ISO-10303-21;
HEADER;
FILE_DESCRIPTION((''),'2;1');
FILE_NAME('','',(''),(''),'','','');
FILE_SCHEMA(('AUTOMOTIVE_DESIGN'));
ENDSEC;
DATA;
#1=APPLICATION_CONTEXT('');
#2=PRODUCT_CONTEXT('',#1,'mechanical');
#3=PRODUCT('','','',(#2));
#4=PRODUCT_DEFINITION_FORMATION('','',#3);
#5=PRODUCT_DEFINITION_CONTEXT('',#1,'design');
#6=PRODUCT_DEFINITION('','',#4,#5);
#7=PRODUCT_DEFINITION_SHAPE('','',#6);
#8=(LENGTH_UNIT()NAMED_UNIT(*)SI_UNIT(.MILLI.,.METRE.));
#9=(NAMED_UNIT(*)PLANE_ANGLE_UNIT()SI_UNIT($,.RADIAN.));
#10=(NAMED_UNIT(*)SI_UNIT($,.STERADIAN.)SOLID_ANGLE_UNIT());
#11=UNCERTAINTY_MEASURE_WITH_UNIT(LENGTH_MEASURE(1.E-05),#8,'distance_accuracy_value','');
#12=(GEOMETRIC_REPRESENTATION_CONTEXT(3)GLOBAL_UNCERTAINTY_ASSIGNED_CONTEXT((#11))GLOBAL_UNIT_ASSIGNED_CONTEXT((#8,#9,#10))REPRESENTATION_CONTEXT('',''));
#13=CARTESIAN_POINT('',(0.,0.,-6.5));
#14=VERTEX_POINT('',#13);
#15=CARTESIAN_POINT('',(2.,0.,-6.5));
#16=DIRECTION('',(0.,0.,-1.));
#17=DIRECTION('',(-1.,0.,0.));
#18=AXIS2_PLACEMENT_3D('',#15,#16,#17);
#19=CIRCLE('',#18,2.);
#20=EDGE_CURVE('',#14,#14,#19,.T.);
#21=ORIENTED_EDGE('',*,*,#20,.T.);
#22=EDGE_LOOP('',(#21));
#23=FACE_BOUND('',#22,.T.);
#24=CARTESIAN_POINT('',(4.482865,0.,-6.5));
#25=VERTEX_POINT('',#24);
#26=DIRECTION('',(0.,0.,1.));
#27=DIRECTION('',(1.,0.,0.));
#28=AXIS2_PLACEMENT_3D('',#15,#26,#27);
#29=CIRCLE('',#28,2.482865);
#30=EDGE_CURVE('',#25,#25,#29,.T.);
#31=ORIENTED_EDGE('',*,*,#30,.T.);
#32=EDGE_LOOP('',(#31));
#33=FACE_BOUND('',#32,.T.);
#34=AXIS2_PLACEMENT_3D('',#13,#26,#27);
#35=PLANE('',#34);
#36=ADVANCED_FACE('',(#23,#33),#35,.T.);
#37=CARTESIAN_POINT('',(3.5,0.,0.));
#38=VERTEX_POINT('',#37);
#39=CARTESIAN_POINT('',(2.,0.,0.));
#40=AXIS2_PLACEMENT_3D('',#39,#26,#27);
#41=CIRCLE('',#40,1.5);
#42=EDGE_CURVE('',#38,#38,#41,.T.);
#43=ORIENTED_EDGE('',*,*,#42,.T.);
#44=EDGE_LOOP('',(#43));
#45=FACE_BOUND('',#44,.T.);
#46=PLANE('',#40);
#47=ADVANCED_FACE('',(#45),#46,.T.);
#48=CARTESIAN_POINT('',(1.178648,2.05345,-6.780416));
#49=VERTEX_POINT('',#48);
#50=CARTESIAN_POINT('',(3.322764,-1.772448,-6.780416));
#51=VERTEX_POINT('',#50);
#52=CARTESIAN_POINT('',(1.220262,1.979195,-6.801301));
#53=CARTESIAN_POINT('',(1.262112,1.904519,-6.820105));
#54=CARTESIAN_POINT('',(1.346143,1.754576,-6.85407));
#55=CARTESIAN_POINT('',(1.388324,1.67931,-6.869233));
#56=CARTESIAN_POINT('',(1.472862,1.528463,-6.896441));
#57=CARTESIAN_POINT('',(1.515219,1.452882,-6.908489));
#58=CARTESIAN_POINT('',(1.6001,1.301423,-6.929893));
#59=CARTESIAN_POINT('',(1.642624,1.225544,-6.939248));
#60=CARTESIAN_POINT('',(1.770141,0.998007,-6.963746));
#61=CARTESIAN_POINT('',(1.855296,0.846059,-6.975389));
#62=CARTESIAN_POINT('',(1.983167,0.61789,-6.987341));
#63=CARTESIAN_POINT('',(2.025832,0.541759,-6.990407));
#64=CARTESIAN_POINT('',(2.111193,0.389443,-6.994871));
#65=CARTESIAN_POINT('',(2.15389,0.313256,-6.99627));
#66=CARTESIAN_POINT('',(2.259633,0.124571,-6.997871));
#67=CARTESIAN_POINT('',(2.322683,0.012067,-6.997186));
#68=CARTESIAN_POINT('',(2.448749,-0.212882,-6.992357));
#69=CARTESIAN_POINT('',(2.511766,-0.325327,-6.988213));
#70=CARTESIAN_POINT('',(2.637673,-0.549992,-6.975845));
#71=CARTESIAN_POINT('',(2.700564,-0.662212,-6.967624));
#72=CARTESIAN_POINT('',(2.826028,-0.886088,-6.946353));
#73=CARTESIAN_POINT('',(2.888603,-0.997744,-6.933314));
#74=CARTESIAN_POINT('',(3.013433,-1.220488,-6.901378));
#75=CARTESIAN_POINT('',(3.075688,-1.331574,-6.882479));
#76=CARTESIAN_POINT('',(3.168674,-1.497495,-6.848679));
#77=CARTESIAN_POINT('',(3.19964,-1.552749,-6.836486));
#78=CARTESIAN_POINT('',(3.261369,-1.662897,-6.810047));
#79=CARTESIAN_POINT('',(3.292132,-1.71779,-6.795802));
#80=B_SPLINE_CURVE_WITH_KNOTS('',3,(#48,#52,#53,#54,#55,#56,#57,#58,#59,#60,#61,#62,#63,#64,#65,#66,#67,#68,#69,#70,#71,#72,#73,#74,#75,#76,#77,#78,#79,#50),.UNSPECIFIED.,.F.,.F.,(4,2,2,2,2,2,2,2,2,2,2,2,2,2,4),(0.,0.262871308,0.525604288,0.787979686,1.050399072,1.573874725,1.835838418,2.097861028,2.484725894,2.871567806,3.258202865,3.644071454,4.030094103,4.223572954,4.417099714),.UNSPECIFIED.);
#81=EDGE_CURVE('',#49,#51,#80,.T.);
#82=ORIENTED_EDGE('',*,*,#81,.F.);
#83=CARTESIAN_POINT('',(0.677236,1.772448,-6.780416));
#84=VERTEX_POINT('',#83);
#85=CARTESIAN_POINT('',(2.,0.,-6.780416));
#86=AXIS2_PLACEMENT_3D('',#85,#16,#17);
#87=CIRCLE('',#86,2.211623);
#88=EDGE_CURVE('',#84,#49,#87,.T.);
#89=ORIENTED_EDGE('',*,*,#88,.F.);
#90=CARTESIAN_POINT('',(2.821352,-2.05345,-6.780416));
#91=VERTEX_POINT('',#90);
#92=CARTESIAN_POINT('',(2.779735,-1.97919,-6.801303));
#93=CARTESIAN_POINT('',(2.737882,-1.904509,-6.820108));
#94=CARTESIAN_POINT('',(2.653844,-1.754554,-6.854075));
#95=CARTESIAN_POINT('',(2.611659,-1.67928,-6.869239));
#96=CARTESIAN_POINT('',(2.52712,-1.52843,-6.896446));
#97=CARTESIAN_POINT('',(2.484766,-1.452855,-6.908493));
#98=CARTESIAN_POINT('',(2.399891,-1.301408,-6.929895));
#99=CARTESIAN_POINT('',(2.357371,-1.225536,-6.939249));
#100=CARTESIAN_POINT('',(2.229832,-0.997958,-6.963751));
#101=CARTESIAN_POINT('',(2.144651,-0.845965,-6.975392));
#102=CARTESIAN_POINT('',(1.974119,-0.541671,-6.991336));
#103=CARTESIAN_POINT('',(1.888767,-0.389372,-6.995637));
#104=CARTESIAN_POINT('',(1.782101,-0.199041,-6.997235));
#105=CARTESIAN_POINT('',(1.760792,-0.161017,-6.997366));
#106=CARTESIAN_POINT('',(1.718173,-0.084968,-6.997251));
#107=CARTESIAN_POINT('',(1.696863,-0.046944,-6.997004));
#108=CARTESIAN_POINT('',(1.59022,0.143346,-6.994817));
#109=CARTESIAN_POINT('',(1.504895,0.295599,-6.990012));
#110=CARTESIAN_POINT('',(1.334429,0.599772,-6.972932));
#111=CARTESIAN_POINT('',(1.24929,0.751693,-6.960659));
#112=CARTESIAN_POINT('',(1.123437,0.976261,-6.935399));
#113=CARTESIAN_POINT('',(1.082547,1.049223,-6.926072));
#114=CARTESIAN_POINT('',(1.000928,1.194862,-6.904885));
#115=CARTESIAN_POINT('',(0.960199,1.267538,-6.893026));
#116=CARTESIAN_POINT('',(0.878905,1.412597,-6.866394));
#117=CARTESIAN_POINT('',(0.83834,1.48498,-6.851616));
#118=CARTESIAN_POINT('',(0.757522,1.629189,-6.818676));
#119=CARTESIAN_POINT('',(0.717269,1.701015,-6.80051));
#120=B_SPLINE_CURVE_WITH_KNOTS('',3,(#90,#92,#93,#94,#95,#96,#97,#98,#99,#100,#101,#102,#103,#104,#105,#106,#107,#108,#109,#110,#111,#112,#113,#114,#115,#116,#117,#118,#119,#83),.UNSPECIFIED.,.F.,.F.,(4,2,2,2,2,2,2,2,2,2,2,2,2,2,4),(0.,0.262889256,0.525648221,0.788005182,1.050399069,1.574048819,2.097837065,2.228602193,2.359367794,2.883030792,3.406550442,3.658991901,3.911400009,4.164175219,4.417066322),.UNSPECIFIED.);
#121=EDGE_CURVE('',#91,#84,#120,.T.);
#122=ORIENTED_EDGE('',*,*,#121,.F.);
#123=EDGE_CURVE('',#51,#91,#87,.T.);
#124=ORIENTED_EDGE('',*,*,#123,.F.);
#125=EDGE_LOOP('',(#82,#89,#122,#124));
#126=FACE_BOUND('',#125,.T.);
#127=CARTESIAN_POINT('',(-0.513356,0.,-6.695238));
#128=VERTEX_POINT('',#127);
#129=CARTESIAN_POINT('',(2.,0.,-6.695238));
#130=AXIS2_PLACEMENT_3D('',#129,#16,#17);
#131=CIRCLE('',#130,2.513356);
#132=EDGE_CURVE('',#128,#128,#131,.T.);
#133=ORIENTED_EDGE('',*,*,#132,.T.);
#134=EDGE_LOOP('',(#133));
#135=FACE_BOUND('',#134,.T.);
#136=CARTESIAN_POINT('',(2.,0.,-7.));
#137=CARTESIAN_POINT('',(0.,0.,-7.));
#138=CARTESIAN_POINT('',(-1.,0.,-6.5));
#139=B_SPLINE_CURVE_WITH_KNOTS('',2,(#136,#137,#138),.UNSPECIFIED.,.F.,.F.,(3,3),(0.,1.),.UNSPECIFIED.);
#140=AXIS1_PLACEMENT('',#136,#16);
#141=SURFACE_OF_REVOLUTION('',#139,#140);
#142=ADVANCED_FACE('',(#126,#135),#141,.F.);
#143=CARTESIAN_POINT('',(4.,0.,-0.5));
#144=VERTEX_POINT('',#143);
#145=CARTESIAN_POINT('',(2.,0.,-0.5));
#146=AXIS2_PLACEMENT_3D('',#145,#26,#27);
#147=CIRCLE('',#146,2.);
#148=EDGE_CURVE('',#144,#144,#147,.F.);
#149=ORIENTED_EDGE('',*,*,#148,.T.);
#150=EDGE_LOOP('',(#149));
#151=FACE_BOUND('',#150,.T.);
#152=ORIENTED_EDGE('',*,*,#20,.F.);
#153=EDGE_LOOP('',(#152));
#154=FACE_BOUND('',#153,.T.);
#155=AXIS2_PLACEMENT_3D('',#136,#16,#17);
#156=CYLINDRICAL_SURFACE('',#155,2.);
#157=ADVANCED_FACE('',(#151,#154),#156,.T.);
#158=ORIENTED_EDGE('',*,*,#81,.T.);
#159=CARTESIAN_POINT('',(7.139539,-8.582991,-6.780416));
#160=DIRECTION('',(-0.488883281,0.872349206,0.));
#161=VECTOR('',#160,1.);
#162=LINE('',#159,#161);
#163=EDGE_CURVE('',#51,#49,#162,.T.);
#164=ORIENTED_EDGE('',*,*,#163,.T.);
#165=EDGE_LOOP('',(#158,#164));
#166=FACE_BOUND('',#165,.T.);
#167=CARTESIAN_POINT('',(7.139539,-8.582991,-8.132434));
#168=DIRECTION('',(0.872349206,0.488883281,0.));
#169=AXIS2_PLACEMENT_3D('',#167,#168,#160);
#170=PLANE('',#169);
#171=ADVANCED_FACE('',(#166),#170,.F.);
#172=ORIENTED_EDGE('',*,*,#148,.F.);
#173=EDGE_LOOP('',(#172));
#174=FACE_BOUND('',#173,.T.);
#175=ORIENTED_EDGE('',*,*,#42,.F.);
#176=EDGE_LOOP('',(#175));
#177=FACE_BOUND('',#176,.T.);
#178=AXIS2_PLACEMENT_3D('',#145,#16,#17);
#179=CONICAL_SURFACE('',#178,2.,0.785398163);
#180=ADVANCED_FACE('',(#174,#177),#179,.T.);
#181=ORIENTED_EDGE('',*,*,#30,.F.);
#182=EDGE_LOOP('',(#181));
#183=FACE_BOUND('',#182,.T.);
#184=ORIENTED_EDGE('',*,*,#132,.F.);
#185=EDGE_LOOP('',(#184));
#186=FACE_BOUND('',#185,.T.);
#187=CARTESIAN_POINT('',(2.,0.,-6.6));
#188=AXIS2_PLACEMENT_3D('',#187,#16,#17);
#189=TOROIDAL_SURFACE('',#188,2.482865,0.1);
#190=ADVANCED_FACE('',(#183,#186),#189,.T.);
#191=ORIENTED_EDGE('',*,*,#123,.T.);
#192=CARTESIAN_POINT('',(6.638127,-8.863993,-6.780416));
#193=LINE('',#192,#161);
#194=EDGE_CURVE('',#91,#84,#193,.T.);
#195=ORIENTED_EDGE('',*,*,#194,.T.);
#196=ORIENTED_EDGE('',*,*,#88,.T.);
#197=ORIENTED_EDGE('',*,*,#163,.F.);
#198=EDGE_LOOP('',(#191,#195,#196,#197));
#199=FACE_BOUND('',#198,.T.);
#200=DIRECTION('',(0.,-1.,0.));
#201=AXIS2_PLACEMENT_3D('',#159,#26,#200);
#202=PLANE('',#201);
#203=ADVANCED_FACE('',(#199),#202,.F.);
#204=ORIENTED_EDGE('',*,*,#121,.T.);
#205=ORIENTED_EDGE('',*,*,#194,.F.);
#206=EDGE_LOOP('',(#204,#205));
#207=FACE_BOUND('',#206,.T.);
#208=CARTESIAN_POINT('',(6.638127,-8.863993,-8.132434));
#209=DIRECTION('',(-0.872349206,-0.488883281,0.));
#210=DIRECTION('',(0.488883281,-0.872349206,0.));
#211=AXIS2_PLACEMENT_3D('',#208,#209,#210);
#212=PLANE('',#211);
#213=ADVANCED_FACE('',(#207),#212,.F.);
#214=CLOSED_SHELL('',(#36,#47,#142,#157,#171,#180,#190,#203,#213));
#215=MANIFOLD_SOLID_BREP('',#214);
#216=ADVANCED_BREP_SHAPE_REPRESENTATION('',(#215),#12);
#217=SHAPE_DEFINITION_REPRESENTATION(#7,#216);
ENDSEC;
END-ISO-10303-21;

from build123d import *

# Parameters (mm, degrees)
CONG_1_R                = 0.1
CHANFREIN1_SIZE         = 0.5
ESQUISSE4_W             = 0.574782946
ESQUISSE4_H             = 1.352018642
ENL_V_MAT_EXTRU_1_DEPTH = 10


with BuildPart() as part:
    # Esquisse1 → Révolution1 (revolve)
    with BuildSketch(Plane(origin=(0, 0, 0), x_dir=(1, 0, 0), z_dir=(0, 1, 0))):
        with BuildLine():
            Line((0, 0), (0, 6.5))
            Line((0, 6.5), (-1, 6.5))
            add(Edge.make_bspline(
                [(-1, 6.5), (0, 7), (2, 7)],
                knots=[0, 0, 0, 1, 1, 1], degree=2))
            Line((2, 7), (2, 0))
            Line((2, 0), (0, 0))
        make_face()
    revolve(axis=Axis((2, 0, -7), (0, 0, 1)))

    # Congé1
    cong_1_edges = [part.edges().sort_by_distance(p)[0] for p in [
        (5, 0, -6.5),
    ]]
    fillet(cong_1_edges, radius=CONG_1_R)

    # Chanfrein1
    chanfrein1_edges = [part.edges().sort_by_distance(p)[0] for p in [
        (4, 0, 0),
    ]]
    chamfer(chanfrein1_edges, length=CHANFREIN1_SIZE)

    # Esquisse4 → Enlèv. mat.-Extru.1 (cut, symmetric)
    with BuildSketch(Plane(origin=(0.478013725, -0.852953884, 0), x_dir=(-0.8723492061003342, -0.4888832811787661, 0), z_dir=(-0.48888328117876617, 0.8723492061003343, 0))):
        with Locations((-1.744698412, -7.456425035)):
            Rectangle(ESQUISSE4_W, ESQUISSE4_H)
    extrude(amount=ENL_V_MAT_EXTRU_1_DEPTH, both=True, mode=Mode.SUBTRACT)


solid = part.part
